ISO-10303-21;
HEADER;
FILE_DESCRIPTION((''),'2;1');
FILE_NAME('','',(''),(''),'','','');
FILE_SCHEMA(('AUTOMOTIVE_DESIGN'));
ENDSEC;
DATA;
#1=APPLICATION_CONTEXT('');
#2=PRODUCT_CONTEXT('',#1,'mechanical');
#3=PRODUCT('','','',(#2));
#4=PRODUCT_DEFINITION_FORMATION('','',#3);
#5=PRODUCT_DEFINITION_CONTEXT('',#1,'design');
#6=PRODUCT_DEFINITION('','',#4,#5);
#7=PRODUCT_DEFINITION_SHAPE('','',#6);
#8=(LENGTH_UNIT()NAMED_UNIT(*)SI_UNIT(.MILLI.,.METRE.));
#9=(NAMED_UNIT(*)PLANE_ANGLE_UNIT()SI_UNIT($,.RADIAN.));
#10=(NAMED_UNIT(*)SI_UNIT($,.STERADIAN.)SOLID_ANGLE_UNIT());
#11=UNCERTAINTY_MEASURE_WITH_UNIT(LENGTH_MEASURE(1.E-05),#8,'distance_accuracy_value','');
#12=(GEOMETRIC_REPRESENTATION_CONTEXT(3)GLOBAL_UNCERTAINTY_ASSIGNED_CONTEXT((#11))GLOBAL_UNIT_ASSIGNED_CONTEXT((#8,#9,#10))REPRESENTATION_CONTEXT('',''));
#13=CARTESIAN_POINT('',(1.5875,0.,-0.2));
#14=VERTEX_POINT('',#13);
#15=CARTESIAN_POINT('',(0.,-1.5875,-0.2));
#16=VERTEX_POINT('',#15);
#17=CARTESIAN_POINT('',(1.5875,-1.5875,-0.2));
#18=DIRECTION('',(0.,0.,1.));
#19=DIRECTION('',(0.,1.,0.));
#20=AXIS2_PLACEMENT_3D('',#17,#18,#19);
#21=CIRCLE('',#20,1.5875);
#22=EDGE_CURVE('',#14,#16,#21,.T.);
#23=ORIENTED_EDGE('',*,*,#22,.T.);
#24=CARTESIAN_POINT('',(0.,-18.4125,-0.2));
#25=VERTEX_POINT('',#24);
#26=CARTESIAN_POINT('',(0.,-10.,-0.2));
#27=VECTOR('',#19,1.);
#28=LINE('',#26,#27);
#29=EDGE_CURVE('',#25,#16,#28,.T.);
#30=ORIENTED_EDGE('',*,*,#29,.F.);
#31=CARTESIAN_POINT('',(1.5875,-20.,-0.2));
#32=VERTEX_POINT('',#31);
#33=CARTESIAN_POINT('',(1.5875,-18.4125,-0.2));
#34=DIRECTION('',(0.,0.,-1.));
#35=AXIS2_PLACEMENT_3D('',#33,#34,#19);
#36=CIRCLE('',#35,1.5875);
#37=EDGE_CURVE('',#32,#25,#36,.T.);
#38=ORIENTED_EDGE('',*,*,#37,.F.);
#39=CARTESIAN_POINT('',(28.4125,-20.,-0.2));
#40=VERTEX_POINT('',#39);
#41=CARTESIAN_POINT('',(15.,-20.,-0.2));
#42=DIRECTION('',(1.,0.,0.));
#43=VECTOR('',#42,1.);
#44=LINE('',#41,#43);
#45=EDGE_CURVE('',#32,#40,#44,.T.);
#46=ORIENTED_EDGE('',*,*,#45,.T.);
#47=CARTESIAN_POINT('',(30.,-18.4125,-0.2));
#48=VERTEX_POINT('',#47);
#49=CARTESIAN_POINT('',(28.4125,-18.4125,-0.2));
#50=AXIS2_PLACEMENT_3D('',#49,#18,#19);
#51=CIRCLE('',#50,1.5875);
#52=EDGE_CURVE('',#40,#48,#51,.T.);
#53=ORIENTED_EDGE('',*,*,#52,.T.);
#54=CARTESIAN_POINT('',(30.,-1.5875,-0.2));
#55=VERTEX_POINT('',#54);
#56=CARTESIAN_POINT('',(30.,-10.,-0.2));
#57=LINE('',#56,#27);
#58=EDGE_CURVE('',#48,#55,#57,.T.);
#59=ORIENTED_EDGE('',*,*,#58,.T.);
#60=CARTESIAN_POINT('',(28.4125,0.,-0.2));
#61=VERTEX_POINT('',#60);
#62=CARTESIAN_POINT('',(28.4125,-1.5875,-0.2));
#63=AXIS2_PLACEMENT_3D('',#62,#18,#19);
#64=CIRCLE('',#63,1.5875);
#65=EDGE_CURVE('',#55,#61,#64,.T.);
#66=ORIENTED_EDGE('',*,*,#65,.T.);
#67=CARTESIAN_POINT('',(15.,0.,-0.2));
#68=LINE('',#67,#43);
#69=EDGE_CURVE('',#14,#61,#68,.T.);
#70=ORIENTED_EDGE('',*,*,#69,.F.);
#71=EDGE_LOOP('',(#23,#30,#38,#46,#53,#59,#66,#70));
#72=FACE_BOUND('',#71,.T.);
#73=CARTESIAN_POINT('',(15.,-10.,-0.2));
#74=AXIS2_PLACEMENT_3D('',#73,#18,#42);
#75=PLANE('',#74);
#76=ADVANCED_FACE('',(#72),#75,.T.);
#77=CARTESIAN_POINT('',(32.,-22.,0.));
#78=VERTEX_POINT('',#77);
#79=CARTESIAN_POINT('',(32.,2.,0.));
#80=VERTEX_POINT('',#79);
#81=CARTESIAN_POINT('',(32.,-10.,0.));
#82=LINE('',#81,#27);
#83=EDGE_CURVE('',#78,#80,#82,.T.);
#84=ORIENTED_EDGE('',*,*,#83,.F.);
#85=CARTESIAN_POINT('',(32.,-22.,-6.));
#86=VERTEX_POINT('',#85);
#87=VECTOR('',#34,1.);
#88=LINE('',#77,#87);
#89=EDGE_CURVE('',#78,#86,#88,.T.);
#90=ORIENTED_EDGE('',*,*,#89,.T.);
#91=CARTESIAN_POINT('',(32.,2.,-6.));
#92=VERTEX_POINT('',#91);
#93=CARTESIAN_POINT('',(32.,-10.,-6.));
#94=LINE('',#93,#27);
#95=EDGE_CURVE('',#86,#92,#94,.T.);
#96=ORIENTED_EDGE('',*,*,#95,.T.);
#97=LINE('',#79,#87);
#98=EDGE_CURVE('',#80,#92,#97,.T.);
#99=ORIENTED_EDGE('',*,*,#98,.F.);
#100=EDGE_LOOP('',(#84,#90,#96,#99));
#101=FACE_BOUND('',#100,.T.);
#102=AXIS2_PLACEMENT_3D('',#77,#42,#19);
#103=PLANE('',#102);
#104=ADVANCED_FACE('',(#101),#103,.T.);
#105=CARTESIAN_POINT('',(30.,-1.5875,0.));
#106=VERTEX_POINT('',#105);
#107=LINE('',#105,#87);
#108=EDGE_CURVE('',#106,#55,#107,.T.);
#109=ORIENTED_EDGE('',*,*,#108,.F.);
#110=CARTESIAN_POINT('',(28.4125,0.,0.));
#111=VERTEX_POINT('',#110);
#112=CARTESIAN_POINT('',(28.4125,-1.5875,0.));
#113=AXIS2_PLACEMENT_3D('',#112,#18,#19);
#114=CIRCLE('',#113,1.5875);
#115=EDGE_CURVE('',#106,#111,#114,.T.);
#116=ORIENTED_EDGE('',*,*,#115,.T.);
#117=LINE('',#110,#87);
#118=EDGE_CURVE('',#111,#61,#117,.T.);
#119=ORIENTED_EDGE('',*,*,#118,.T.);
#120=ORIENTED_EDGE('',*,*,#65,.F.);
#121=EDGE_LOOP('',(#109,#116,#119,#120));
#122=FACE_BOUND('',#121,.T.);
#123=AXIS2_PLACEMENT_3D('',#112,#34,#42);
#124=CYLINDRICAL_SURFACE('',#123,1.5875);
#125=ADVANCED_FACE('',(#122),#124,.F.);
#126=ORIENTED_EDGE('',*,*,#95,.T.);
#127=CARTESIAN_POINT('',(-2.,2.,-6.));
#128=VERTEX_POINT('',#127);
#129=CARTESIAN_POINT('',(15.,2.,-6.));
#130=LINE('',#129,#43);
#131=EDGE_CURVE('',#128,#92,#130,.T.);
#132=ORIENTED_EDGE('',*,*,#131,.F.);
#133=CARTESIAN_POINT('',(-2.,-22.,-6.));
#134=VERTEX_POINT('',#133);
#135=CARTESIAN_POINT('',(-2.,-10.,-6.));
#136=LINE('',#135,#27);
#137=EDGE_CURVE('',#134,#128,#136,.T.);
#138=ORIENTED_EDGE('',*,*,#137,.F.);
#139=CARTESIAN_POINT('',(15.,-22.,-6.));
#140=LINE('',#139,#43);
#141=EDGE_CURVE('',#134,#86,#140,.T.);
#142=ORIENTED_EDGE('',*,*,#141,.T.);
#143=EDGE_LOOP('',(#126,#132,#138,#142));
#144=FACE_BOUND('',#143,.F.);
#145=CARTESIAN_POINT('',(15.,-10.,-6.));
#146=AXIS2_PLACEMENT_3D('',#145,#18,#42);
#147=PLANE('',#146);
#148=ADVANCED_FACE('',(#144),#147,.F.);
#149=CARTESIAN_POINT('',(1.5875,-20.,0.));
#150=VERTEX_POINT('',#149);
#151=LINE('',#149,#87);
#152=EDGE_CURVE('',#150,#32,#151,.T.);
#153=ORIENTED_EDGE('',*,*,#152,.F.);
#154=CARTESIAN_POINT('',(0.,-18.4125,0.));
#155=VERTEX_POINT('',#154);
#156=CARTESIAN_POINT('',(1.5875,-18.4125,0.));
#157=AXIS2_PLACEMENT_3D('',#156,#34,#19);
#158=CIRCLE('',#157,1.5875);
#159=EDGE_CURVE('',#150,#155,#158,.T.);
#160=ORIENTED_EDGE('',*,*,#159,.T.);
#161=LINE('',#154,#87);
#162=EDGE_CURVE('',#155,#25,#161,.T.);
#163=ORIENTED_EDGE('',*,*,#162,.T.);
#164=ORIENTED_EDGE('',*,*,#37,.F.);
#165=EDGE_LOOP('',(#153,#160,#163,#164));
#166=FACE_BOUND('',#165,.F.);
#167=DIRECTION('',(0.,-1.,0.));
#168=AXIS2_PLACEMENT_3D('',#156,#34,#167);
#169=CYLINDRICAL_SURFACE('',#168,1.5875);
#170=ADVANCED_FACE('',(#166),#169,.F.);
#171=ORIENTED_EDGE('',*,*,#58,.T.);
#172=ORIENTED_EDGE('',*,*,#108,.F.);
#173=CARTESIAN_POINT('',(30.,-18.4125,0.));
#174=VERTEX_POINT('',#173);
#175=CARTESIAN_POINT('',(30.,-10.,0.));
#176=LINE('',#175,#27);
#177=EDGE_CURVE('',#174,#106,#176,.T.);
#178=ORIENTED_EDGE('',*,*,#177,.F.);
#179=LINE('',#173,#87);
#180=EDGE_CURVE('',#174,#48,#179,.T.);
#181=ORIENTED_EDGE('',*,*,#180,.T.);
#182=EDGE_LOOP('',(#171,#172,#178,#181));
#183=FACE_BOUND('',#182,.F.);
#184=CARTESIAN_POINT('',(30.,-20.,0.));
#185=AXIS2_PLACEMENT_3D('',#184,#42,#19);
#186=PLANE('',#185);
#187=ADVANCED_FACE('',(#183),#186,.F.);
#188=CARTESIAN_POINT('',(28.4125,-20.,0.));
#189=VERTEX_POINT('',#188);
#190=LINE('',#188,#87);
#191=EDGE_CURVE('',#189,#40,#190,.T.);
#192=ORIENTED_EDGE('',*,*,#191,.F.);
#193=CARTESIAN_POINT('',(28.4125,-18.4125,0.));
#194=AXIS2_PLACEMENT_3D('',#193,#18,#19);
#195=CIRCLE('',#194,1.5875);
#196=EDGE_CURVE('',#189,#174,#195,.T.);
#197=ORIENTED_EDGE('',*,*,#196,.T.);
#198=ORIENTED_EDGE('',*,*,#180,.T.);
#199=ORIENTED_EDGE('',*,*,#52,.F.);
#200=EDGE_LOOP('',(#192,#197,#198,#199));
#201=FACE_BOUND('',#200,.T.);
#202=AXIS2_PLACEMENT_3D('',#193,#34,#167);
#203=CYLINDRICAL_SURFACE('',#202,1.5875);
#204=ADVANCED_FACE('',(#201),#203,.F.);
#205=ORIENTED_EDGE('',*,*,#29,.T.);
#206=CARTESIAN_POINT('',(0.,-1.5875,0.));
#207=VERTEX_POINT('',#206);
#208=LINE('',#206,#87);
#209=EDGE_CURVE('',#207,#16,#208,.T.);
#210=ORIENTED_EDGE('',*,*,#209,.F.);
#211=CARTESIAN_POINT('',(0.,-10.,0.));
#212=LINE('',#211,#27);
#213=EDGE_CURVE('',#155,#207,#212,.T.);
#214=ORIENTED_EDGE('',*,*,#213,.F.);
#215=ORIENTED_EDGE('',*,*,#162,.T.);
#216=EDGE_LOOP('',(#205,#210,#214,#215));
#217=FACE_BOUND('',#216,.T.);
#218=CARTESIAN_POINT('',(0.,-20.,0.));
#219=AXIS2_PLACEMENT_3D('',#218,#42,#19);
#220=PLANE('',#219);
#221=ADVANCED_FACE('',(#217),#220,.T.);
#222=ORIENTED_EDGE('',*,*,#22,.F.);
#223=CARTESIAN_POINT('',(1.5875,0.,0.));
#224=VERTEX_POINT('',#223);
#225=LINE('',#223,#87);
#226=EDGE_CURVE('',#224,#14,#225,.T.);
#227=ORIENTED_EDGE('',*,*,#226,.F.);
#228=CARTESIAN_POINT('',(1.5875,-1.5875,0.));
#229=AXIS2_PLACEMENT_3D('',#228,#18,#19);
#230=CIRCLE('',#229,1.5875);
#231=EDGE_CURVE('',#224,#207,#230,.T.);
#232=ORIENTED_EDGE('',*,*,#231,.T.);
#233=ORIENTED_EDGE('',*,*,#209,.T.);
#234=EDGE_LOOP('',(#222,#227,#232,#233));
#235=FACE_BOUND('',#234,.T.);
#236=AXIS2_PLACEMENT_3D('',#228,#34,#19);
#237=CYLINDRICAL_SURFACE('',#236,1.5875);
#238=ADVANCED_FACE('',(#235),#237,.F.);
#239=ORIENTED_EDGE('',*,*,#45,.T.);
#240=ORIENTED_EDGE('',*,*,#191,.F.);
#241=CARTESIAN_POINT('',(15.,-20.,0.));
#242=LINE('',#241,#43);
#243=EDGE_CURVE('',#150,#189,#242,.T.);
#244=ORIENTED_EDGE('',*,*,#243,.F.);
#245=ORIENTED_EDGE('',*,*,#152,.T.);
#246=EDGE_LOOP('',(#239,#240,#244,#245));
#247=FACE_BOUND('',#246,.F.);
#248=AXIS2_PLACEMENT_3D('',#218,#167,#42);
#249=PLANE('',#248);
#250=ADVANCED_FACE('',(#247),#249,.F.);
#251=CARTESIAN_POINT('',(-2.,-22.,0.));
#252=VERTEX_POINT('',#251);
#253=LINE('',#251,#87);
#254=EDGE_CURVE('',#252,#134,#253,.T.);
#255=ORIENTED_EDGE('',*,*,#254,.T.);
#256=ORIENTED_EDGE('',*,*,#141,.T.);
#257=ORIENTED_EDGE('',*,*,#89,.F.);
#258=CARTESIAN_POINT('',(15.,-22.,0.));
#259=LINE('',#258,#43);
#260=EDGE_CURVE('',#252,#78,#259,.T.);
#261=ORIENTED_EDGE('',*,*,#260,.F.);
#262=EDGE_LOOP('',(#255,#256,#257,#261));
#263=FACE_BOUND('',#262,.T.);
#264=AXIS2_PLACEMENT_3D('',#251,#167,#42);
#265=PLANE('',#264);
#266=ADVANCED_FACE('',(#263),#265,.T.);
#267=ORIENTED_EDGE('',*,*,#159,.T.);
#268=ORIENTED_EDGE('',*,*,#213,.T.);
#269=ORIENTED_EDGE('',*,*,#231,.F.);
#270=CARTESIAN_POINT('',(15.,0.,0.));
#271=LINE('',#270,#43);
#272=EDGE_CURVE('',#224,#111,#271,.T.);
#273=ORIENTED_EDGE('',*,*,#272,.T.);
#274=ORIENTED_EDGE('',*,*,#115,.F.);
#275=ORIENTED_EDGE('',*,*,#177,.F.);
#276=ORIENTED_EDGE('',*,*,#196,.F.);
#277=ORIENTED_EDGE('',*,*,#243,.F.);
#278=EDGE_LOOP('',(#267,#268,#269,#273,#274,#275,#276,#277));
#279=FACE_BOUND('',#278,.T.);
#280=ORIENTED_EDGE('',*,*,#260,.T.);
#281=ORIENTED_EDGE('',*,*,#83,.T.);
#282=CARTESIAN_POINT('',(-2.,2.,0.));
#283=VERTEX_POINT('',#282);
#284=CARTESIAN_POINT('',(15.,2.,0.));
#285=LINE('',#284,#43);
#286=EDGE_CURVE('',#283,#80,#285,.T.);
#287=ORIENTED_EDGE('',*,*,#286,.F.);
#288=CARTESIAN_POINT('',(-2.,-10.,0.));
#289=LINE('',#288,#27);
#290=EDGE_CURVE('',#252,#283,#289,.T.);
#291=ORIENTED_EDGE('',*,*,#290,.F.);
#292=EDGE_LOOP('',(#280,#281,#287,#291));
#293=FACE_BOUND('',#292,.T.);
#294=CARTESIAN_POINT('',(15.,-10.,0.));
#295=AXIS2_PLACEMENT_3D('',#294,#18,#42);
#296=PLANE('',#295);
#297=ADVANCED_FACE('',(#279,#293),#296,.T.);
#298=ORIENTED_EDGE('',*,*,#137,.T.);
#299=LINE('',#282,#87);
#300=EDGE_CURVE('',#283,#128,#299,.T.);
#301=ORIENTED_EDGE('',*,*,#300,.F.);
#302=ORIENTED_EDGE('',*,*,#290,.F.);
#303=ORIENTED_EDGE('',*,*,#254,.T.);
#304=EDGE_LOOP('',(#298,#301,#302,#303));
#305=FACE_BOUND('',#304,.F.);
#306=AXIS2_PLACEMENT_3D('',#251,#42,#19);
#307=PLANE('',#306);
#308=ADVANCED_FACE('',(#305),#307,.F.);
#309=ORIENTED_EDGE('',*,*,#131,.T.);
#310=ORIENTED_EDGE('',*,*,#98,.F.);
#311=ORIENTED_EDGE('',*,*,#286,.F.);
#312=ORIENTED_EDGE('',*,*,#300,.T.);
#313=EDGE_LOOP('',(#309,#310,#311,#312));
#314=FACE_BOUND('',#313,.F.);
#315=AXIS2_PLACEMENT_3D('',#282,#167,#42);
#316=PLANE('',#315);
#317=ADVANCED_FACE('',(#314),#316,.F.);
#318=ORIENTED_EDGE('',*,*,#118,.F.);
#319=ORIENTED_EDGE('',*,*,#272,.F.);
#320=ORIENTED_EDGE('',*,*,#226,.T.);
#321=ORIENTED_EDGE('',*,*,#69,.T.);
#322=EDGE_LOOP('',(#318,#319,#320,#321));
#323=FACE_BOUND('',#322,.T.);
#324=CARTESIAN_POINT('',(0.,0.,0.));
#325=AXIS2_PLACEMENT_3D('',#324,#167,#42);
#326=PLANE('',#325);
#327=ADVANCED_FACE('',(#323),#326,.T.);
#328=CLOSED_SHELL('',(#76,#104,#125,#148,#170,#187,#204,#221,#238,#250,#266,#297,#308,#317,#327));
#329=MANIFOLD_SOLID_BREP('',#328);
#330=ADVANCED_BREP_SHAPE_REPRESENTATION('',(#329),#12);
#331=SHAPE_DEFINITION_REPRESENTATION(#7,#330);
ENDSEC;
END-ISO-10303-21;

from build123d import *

# Parameters (mm, degrees)
F0_W     = 34
F0_H     = 24
F0_W_2   = 30
F0_H_2   = 20
F1_DEPTH = 6
F2_DEPTH = 0.2
F3_R     = 1.5875


with BuildPart() as f1:
    # F0 (on Top) → F1 (new body)
    with BuildSketch(Plane.XY):
        with Locations((15, -10)):
            Rectangle(F0_W, F0_H)
        with Locations((15, -10)):
            Rectangle(F0_W_2, F0_H_2, mode=Mode.SUBTRACT)
        with Locations((15, -10)):
            Rectangle(F0_W_2, F0_H_2)
    extrude(amount=-F1_DEPTH)

    # F0 (on Top) → F2 (cut)
    with BuildSketch(Plane.XY):
        with Locations((15, -10)):
            Rectangle(F0_W_2, F0_H_2)
    extrude(amount=-F2_DEPTH, mode=Mode.SUBTRACT)

    # F3
    f3_edges = [f1.edges().sort_by_distance(p)[0] for p in [
        (0, 0, -0.1),
        (30, 0, -0.1),
        (30, -20, -0.1),
        (0, -20, -0.1),
    ]]
    fillet(f3_edges, radius=F3_R)


solid = f1.part
